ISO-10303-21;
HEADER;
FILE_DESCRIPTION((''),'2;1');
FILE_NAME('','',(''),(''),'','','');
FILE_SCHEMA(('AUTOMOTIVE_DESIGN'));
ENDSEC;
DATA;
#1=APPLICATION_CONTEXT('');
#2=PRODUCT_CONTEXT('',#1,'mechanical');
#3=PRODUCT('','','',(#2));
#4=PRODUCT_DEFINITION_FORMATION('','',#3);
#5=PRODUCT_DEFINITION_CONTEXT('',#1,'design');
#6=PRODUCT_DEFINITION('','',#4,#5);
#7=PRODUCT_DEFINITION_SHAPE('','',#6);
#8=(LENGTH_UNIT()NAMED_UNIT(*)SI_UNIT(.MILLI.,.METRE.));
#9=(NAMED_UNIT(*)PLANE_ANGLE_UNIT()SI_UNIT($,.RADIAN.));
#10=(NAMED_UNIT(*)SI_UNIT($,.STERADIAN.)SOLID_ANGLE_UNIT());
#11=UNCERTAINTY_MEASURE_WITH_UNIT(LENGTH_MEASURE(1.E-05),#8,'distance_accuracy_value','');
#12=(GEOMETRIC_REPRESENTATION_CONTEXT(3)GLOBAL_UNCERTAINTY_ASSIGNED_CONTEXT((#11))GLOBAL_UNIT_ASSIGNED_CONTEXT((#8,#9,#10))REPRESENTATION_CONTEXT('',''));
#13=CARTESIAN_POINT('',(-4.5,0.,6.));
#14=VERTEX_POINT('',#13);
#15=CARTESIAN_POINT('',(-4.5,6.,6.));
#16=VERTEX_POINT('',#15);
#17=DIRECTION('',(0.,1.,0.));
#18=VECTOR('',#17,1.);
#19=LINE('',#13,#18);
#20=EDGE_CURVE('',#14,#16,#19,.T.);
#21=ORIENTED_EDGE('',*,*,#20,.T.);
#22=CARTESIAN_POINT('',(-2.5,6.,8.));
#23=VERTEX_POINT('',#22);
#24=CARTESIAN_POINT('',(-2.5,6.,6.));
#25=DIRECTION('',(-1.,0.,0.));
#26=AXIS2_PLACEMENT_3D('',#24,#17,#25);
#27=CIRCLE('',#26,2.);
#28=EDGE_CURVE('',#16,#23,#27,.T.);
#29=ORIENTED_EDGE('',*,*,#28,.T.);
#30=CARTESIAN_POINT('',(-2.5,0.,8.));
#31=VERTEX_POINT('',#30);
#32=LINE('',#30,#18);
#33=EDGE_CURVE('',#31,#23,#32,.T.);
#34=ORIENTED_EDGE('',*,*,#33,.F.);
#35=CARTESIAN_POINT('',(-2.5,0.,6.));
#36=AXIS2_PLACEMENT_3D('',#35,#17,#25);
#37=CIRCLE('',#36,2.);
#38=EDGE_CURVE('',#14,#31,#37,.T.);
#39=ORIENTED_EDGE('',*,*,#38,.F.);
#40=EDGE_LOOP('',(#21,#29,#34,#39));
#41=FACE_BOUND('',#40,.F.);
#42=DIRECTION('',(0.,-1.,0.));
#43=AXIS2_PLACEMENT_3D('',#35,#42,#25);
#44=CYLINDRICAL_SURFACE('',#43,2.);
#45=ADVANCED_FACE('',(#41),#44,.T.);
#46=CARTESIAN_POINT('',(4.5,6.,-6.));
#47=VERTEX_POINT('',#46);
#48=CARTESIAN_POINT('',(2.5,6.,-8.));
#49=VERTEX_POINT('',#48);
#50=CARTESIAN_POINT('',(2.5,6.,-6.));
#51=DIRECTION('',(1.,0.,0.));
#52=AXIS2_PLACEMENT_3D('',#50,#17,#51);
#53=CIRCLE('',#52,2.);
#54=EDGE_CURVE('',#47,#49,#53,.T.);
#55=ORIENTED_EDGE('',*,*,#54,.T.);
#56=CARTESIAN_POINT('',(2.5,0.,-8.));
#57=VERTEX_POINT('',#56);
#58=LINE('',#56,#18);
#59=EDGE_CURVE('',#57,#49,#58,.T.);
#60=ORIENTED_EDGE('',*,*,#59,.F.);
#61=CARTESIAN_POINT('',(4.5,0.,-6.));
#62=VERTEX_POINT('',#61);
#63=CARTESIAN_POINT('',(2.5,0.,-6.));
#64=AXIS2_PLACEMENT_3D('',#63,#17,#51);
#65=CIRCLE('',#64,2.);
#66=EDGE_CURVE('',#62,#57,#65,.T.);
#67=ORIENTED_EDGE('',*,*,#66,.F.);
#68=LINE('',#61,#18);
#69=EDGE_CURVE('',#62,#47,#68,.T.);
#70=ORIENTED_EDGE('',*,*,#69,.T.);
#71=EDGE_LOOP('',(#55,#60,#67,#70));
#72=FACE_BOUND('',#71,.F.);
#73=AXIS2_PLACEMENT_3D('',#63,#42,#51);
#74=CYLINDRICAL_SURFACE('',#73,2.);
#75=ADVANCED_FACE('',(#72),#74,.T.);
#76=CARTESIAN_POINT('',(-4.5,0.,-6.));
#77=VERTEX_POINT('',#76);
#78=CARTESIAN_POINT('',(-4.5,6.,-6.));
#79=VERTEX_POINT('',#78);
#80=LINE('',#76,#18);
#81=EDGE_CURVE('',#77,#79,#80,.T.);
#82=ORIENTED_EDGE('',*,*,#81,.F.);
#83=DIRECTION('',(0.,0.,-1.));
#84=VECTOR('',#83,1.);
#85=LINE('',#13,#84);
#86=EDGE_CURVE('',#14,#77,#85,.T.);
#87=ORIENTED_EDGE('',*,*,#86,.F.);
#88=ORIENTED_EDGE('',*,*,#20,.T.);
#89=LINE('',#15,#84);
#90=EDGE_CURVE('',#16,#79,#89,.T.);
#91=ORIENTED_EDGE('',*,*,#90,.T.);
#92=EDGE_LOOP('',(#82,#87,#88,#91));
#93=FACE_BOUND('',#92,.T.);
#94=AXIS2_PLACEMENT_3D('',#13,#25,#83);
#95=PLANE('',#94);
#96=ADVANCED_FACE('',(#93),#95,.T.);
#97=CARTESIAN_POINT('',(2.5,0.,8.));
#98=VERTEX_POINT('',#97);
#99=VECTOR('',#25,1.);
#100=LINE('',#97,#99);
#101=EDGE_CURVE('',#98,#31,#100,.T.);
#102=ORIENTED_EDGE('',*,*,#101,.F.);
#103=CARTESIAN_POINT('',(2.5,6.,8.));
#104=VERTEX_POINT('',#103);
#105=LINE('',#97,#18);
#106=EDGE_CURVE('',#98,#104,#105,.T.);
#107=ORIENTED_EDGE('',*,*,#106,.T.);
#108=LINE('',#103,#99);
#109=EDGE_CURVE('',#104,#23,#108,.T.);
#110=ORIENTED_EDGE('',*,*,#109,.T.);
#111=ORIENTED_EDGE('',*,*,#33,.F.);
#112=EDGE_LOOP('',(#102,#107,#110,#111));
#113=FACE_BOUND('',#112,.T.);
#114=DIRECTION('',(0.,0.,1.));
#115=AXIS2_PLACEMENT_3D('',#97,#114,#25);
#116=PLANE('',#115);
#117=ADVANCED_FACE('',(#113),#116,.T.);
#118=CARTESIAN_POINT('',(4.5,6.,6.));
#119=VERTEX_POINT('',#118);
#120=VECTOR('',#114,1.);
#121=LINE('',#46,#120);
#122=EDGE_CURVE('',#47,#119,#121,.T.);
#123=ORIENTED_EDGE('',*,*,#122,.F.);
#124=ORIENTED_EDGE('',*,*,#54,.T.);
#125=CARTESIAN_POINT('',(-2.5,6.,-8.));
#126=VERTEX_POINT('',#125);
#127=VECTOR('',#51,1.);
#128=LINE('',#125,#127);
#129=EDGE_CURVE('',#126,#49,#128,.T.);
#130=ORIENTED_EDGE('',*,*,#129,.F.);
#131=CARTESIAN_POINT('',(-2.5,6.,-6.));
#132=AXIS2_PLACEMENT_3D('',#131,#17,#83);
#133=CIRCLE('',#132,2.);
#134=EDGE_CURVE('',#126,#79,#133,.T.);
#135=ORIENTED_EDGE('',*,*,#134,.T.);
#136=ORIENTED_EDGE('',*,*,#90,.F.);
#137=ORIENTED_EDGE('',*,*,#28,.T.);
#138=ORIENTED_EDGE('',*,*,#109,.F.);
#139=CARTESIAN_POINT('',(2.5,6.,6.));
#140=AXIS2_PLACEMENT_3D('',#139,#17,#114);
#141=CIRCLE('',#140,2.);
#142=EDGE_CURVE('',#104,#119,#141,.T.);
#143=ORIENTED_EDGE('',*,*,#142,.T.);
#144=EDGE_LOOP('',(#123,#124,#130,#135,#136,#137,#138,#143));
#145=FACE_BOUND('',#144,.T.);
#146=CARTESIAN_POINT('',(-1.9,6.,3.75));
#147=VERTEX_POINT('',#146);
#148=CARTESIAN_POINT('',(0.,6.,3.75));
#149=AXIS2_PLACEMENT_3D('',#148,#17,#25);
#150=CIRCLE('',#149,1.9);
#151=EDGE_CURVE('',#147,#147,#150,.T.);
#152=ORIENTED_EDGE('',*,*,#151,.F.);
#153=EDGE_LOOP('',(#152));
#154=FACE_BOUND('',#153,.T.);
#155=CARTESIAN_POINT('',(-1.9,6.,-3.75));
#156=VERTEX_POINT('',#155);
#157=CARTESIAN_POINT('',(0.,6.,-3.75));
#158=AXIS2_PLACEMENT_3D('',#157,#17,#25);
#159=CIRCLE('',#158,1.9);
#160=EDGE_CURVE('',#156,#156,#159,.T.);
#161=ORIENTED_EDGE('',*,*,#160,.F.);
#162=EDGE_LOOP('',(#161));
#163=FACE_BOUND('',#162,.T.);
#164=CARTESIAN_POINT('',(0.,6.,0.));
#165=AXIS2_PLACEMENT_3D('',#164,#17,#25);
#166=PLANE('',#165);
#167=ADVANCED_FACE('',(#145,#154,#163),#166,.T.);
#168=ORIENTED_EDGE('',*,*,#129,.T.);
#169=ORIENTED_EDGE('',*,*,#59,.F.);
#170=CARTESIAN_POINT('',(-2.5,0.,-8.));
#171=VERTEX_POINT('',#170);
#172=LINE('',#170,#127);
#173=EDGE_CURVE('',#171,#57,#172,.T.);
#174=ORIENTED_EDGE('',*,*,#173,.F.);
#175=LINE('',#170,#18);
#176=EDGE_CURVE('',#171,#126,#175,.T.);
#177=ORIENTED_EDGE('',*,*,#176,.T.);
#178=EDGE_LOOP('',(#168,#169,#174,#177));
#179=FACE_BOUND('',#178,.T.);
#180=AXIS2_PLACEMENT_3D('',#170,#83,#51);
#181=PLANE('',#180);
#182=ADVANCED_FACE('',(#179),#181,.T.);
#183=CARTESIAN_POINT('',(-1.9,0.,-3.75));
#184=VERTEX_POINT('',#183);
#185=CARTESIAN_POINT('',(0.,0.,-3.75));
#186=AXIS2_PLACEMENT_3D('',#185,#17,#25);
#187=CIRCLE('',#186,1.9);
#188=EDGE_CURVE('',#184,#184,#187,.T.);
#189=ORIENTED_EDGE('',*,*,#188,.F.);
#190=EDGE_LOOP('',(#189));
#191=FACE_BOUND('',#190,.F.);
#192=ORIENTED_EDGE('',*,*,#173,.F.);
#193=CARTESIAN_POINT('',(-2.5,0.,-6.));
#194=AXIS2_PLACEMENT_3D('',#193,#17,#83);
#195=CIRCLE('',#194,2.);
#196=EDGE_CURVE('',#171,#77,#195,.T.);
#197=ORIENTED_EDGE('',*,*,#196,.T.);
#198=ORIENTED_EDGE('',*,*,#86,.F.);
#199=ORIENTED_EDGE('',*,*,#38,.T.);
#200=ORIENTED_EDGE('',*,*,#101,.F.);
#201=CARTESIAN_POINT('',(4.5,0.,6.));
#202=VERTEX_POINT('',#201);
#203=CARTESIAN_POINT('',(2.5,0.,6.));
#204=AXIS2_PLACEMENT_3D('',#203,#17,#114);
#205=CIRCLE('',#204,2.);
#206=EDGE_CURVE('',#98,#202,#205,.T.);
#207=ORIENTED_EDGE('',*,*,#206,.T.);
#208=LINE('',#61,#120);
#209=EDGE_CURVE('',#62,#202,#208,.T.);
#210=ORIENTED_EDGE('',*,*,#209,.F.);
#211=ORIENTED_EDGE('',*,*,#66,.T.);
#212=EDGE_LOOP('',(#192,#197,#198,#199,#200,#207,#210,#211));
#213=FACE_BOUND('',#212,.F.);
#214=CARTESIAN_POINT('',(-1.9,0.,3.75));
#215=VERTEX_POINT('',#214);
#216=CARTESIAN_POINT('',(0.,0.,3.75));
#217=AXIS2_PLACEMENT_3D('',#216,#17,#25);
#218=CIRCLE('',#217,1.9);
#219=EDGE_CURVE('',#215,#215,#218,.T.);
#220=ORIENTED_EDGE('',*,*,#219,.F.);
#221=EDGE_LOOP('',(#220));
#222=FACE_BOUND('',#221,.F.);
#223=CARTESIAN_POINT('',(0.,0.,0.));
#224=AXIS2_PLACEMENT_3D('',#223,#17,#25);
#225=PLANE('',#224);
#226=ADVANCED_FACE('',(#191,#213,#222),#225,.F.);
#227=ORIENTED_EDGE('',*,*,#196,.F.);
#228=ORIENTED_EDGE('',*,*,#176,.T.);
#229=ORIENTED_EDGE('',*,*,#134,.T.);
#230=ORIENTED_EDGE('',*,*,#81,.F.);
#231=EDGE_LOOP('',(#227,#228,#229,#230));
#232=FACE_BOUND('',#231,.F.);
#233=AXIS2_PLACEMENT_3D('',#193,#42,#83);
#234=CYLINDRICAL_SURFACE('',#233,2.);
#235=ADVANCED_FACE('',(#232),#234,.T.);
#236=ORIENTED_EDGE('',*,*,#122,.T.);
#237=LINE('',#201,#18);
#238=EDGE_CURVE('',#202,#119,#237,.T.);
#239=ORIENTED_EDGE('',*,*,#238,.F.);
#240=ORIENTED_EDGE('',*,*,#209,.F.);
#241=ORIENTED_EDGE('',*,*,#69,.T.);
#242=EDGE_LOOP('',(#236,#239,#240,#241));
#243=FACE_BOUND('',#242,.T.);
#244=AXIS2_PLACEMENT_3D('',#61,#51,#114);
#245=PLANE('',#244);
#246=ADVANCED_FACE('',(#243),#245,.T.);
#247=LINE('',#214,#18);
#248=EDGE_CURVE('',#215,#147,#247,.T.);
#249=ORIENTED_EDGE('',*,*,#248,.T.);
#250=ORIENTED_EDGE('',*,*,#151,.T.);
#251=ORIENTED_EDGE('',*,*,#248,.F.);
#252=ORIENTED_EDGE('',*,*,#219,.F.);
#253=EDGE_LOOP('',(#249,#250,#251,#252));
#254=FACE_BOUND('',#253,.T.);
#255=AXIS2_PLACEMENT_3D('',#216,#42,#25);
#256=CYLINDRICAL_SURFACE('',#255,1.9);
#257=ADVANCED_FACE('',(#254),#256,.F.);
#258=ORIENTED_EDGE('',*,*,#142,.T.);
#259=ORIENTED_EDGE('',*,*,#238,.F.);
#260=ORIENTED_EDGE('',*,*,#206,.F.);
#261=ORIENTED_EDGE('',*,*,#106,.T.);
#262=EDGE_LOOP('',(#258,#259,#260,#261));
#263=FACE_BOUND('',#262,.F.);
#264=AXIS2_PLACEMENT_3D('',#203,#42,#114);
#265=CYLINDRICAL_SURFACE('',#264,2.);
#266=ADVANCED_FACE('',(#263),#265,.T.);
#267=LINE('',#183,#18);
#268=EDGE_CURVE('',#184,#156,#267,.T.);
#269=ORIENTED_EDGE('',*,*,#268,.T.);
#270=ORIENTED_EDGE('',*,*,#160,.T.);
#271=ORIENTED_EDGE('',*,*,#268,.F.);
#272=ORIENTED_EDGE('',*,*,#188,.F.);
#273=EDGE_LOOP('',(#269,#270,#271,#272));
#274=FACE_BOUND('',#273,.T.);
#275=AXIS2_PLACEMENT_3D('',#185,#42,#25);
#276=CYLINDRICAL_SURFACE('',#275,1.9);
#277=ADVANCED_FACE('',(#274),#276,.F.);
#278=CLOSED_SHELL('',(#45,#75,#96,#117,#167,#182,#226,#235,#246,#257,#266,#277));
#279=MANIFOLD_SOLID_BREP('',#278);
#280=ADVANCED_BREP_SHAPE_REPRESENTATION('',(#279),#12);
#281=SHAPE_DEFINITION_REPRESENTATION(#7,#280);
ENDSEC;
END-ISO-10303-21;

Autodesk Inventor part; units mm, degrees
ref_plane "YZ Plane" through (0, 0, 0) normal (1, 0, 0) x (0, 1, 0)
ref_plane "XZ Plane" through (0, 0, 0) normal (0, 1, 0) x (-1, 0, 0)
ref_plane "XY Plane" through (0, 0, 0) normal (0, 0, 1) x (1, 0, 0)
sketch "Sketch1" plane through (0, 0, 0) normal (0, 1, 0) x (-1, 0, 0)
  line L0 (-2.5, 8) -> (2.5, 8)
  line L1 (4.5, 6) -> (4.5, -6)
  line L2 (2.5, -8) -> (-2.5, -8)
  line L3 (-4.5, -6) -> (-4.5, 6)
  line L4 (-4.5, 8) -> (4.5, -8) construction
  line L5 (4.5, 8) -> (-4.5, -8) construction
  circle A0 centre (0, 3.75) radius 1.9
  line L6 (0, 3.75) -> (0, -3.75) construction
  circle A1 centre (0, -3.75) radius 1.9
  arc A2 (4.5, 6) -> (2.5, 8) centre (2.5, 6) ccw
  arc A3 (2.5, -8) -> (4.5, -6) centre (2.5, -6) ccw
  arc A4 (-4.5, -6) -> (-2.5, -8) centre (-2.5, -6) ccw
  arc A5 (-2.5, 8) -> (-4.5, 6) centre (-2.5, 6) ccw
  point P0 (0, 0)
  point P1 (0, 0)
  dimension "d0" = 3.8
  dimension "d1" = 7.5
  dimension "d2" = 16
  dimension "d3" = 9
  dimension "d4" = 2
  dimension "d5" = 2
  dimension "d6" = 2
extrude "Extrusion1" add sketch "Sketch1" along normal blind 6
properties part number "CH_01_0033_syringe_pump_nut_mount" material "ABS Plastic"
